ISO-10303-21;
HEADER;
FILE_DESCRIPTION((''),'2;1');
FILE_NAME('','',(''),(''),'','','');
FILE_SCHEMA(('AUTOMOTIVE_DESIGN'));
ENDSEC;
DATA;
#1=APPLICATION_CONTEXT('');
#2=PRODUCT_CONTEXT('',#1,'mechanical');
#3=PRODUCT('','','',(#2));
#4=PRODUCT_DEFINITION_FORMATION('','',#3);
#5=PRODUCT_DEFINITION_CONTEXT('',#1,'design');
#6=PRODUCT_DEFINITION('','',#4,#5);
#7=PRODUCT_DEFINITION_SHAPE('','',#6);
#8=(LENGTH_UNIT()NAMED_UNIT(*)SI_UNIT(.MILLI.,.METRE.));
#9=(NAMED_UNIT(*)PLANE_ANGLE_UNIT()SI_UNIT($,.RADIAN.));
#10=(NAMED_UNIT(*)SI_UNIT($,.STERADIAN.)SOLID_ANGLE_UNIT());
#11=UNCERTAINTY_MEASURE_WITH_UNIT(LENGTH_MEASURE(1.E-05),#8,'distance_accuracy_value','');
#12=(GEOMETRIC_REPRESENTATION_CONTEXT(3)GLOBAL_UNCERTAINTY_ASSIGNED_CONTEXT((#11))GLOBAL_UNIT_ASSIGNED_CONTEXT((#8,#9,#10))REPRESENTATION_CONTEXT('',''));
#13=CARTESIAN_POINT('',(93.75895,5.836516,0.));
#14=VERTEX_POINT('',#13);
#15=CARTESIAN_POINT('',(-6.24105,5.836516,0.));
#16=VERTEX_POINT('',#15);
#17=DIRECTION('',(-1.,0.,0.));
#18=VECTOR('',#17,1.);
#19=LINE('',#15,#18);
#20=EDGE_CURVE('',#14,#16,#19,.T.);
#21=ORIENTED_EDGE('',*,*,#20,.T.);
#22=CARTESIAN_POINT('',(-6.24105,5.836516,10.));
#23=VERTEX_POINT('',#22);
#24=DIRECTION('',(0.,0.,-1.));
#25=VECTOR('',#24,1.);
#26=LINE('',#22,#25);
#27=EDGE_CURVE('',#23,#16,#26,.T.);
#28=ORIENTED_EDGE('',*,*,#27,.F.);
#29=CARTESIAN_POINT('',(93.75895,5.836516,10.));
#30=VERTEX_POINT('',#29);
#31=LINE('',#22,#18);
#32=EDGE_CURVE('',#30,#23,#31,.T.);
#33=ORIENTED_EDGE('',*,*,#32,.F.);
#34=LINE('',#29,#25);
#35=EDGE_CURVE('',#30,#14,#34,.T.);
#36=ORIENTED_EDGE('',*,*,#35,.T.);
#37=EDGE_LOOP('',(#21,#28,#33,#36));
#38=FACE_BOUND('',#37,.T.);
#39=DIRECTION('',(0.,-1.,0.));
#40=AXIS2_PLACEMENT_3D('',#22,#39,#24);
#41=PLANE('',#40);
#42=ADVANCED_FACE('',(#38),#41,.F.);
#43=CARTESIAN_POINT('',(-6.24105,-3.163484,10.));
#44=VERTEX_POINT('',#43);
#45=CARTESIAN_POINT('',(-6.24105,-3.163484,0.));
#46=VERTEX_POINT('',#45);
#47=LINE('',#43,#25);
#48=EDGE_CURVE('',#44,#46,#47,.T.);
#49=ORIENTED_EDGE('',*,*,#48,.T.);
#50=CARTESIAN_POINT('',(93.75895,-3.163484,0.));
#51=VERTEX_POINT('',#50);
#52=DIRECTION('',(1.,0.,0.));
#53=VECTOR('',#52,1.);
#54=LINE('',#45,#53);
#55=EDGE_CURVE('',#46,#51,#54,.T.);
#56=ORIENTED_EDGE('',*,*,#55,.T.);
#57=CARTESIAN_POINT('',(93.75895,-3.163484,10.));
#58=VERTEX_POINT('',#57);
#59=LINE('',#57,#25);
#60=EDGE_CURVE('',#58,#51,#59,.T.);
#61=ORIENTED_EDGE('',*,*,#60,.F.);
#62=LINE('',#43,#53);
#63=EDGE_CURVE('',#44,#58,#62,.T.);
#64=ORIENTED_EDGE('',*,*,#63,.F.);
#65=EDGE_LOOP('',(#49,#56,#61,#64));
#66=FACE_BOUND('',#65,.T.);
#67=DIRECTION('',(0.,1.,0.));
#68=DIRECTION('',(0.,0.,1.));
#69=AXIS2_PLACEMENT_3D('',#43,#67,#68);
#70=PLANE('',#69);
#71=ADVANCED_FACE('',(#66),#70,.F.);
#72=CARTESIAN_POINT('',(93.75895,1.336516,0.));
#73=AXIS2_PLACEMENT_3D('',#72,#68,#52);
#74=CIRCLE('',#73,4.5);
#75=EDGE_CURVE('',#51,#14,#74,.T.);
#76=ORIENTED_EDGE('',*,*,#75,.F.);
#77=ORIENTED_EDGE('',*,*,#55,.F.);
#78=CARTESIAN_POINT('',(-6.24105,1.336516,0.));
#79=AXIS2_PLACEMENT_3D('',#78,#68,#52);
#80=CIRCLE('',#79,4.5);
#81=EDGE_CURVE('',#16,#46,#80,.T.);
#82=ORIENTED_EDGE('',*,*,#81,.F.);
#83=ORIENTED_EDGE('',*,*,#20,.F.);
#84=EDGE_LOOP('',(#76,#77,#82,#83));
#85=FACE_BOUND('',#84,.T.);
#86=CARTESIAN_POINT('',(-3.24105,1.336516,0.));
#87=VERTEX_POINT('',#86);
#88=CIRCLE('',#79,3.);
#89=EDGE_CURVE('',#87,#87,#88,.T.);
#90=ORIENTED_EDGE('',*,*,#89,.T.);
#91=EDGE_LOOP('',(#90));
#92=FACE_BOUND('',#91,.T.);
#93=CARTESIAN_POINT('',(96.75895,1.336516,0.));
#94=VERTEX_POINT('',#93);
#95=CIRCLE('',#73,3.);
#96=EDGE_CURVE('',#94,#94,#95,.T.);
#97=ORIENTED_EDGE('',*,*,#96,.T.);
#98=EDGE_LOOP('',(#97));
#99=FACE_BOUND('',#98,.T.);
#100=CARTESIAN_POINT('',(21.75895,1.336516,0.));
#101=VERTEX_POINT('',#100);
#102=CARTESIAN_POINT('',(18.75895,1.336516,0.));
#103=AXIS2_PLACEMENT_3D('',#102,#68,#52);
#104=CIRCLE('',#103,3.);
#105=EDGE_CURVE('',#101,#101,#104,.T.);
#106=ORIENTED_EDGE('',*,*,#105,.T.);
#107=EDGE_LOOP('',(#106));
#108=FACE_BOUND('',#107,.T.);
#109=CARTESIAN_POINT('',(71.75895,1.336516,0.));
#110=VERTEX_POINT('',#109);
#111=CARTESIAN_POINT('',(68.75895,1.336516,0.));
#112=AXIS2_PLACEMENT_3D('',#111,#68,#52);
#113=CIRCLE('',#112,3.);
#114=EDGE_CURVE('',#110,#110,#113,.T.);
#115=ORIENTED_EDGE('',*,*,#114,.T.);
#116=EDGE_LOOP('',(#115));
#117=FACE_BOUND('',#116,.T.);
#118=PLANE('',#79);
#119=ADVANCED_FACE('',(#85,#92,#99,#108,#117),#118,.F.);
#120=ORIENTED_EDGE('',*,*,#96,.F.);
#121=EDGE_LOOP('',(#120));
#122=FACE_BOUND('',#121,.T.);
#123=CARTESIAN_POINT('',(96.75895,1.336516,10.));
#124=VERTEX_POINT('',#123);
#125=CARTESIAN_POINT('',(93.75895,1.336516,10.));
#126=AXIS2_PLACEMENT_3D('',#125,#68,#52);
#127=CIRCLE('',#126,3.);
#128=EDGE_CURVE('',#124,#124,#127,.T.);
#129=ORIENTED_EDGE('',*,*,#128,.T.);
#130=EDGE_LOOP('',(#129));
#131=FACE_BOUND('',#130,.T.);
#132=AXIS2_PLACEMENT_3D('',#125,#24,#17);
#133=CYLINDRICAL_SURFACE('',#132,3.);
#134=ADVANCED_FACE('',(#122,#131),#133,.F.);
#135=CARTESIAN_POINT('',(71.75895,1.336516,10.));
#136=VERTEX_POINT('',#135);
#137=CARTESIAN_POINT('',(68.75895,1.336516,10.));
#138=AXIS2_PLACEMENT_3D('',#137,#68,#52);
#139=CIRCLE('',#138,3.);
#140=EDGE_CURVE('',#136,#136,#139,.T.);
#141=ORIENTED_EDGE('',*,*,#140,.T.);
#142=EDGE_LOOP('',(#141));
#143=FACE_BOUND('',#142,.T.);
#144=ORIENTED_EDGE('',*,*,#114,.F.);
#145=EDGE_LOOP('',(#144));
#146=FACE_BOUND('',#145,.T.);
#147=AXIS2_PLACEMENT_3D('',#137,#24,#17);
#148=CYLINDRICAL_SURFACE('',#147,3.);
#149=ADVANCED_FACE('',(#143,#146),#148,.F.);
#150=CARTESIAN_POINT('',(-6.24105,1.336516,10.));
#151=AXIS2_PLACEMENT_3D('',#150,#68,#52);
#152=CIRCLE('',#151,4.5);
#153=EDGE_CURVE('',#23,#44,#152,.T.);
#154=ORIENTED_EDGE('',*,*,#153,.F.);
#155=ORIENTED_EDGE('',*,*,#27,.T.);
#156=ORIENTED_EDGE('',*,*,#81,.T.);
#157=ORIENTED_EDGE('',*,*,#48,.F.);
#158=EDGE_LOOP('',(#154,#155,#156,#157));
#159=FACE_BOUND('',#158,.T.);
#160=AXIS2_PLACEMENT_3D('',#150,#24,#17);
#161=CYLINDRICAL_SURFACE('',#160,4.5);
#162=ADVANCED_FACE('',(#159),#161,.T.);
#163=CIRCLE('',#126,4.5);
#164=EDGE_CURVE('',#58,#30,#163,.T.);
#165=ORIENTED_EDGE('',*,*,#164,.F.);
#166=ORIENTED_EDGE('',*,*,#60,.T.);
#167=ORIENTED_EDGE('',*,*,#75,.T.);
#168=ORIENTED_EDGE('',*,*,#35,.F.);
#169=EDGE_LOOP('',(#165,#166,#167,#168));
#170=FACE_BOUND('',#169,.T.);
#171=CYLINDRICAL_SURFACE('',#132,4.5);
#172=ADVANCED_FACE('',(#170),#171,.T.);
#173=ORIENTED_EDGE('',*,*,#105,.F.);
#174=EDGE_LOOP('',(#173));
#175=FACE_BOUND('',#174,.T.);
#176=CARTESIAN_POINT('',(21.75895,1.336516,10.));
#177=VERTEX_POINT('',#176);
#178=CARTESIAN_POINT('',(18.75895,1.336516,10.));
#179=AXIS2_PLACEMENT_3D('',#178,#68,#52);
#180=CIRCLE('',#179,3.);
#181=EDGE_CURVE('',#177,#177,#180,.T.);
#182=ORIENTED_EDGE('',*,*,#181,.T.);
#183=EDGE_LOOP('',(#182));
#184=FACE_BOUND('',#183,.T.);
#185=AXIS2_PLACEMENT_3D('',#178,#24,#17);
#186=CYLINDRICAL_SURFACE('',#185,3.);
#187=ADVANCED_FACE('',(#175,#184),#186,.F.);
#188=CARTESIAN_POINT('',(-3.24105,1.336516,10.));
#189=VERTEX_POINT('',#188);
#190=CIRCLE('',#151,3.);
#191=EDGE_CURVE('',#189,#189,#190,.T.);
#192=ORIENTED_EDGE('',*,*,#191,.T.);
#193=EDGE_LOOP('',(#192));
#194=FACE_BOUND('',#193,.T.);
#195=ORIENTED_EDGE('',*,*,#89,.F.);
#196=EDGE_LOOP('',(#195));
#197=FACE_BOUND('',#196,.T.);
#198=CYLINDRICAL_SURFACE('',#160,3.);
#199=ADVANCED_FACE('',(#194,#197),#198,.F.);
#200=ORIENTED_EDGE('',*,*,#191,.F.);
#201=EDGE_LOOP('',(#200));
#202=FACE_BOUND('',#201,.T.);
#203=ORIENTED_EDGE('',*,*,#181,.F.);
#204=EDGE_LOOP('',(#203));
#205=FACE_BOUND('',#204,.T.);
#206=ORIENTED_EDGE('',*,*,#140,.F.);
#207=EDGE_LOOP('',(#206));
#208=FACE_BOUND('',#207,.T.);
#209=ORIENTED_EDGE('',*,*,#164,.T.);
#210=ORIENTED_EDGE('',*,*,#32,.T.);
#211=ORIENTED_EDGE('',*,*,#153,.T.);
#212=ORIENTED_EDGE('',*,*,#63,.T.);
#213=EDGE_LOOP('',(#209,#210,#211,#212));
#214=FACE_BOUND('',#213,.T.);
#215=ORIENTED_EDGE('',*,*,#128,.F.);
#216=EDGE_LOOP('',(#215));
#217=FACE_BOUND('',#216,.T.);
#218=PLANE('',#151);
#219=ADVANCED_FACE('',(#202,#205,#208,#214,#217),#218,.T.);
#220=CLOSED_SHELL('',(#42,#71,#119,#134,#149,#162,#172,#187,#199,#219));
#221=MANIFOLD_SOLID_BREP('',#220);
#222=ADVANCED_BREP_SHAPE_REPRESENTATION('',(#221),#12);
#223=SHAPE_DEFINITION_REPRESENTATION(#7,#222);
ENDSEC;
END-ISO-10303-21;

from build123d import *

# Parameters (mm, degrees)
SKETCH1_R           = 3
BOSS_EXTRUDE1_DEPTH = 10


with BuildPart() as part:
    # Sketch1 → Boss-Extrude1 (new body)
    with BuildSketch(Plane.XY):
        with BuildLine():
            Line((-6.241050119, 5.836515513), (93.758949881, 5.836515513))
            ThreePointArc((93.758949881, 5.836515513), (98.258949881, 1.336515513), (93.758949881, -3.163484487))
            Line((93.758949881, -3.163484487), (-6.241050119, -3.163484487))
            ThreePointArc((-6.241050119, -3.163484487), (-10.741050119, 1.336515513), (-6.241050119, 5.836515513))
        make_face()
        with Locations((-6.241050119, 1.336515513)):
            Circle(SKETCH1_R, mode=Mode.SUBTRACT)
        with Locations((68.758949881, 1.336515513)):
            Circle(SKETCH1_R, mode=Mode.SUBTRACT)
        with Locations((93.758949881, 1.336515513)):
            Circle(SKETCH1_R, mode=Mode.SUBTRACT)
        with Locations((18.758949881, 1.336515513)):
            Circle(SKETCH1_R, mode=Mode.SUBTRACT)
    extrude(amount=BOSS_EXTRUDE1_DEPTH)


solid = part.part
